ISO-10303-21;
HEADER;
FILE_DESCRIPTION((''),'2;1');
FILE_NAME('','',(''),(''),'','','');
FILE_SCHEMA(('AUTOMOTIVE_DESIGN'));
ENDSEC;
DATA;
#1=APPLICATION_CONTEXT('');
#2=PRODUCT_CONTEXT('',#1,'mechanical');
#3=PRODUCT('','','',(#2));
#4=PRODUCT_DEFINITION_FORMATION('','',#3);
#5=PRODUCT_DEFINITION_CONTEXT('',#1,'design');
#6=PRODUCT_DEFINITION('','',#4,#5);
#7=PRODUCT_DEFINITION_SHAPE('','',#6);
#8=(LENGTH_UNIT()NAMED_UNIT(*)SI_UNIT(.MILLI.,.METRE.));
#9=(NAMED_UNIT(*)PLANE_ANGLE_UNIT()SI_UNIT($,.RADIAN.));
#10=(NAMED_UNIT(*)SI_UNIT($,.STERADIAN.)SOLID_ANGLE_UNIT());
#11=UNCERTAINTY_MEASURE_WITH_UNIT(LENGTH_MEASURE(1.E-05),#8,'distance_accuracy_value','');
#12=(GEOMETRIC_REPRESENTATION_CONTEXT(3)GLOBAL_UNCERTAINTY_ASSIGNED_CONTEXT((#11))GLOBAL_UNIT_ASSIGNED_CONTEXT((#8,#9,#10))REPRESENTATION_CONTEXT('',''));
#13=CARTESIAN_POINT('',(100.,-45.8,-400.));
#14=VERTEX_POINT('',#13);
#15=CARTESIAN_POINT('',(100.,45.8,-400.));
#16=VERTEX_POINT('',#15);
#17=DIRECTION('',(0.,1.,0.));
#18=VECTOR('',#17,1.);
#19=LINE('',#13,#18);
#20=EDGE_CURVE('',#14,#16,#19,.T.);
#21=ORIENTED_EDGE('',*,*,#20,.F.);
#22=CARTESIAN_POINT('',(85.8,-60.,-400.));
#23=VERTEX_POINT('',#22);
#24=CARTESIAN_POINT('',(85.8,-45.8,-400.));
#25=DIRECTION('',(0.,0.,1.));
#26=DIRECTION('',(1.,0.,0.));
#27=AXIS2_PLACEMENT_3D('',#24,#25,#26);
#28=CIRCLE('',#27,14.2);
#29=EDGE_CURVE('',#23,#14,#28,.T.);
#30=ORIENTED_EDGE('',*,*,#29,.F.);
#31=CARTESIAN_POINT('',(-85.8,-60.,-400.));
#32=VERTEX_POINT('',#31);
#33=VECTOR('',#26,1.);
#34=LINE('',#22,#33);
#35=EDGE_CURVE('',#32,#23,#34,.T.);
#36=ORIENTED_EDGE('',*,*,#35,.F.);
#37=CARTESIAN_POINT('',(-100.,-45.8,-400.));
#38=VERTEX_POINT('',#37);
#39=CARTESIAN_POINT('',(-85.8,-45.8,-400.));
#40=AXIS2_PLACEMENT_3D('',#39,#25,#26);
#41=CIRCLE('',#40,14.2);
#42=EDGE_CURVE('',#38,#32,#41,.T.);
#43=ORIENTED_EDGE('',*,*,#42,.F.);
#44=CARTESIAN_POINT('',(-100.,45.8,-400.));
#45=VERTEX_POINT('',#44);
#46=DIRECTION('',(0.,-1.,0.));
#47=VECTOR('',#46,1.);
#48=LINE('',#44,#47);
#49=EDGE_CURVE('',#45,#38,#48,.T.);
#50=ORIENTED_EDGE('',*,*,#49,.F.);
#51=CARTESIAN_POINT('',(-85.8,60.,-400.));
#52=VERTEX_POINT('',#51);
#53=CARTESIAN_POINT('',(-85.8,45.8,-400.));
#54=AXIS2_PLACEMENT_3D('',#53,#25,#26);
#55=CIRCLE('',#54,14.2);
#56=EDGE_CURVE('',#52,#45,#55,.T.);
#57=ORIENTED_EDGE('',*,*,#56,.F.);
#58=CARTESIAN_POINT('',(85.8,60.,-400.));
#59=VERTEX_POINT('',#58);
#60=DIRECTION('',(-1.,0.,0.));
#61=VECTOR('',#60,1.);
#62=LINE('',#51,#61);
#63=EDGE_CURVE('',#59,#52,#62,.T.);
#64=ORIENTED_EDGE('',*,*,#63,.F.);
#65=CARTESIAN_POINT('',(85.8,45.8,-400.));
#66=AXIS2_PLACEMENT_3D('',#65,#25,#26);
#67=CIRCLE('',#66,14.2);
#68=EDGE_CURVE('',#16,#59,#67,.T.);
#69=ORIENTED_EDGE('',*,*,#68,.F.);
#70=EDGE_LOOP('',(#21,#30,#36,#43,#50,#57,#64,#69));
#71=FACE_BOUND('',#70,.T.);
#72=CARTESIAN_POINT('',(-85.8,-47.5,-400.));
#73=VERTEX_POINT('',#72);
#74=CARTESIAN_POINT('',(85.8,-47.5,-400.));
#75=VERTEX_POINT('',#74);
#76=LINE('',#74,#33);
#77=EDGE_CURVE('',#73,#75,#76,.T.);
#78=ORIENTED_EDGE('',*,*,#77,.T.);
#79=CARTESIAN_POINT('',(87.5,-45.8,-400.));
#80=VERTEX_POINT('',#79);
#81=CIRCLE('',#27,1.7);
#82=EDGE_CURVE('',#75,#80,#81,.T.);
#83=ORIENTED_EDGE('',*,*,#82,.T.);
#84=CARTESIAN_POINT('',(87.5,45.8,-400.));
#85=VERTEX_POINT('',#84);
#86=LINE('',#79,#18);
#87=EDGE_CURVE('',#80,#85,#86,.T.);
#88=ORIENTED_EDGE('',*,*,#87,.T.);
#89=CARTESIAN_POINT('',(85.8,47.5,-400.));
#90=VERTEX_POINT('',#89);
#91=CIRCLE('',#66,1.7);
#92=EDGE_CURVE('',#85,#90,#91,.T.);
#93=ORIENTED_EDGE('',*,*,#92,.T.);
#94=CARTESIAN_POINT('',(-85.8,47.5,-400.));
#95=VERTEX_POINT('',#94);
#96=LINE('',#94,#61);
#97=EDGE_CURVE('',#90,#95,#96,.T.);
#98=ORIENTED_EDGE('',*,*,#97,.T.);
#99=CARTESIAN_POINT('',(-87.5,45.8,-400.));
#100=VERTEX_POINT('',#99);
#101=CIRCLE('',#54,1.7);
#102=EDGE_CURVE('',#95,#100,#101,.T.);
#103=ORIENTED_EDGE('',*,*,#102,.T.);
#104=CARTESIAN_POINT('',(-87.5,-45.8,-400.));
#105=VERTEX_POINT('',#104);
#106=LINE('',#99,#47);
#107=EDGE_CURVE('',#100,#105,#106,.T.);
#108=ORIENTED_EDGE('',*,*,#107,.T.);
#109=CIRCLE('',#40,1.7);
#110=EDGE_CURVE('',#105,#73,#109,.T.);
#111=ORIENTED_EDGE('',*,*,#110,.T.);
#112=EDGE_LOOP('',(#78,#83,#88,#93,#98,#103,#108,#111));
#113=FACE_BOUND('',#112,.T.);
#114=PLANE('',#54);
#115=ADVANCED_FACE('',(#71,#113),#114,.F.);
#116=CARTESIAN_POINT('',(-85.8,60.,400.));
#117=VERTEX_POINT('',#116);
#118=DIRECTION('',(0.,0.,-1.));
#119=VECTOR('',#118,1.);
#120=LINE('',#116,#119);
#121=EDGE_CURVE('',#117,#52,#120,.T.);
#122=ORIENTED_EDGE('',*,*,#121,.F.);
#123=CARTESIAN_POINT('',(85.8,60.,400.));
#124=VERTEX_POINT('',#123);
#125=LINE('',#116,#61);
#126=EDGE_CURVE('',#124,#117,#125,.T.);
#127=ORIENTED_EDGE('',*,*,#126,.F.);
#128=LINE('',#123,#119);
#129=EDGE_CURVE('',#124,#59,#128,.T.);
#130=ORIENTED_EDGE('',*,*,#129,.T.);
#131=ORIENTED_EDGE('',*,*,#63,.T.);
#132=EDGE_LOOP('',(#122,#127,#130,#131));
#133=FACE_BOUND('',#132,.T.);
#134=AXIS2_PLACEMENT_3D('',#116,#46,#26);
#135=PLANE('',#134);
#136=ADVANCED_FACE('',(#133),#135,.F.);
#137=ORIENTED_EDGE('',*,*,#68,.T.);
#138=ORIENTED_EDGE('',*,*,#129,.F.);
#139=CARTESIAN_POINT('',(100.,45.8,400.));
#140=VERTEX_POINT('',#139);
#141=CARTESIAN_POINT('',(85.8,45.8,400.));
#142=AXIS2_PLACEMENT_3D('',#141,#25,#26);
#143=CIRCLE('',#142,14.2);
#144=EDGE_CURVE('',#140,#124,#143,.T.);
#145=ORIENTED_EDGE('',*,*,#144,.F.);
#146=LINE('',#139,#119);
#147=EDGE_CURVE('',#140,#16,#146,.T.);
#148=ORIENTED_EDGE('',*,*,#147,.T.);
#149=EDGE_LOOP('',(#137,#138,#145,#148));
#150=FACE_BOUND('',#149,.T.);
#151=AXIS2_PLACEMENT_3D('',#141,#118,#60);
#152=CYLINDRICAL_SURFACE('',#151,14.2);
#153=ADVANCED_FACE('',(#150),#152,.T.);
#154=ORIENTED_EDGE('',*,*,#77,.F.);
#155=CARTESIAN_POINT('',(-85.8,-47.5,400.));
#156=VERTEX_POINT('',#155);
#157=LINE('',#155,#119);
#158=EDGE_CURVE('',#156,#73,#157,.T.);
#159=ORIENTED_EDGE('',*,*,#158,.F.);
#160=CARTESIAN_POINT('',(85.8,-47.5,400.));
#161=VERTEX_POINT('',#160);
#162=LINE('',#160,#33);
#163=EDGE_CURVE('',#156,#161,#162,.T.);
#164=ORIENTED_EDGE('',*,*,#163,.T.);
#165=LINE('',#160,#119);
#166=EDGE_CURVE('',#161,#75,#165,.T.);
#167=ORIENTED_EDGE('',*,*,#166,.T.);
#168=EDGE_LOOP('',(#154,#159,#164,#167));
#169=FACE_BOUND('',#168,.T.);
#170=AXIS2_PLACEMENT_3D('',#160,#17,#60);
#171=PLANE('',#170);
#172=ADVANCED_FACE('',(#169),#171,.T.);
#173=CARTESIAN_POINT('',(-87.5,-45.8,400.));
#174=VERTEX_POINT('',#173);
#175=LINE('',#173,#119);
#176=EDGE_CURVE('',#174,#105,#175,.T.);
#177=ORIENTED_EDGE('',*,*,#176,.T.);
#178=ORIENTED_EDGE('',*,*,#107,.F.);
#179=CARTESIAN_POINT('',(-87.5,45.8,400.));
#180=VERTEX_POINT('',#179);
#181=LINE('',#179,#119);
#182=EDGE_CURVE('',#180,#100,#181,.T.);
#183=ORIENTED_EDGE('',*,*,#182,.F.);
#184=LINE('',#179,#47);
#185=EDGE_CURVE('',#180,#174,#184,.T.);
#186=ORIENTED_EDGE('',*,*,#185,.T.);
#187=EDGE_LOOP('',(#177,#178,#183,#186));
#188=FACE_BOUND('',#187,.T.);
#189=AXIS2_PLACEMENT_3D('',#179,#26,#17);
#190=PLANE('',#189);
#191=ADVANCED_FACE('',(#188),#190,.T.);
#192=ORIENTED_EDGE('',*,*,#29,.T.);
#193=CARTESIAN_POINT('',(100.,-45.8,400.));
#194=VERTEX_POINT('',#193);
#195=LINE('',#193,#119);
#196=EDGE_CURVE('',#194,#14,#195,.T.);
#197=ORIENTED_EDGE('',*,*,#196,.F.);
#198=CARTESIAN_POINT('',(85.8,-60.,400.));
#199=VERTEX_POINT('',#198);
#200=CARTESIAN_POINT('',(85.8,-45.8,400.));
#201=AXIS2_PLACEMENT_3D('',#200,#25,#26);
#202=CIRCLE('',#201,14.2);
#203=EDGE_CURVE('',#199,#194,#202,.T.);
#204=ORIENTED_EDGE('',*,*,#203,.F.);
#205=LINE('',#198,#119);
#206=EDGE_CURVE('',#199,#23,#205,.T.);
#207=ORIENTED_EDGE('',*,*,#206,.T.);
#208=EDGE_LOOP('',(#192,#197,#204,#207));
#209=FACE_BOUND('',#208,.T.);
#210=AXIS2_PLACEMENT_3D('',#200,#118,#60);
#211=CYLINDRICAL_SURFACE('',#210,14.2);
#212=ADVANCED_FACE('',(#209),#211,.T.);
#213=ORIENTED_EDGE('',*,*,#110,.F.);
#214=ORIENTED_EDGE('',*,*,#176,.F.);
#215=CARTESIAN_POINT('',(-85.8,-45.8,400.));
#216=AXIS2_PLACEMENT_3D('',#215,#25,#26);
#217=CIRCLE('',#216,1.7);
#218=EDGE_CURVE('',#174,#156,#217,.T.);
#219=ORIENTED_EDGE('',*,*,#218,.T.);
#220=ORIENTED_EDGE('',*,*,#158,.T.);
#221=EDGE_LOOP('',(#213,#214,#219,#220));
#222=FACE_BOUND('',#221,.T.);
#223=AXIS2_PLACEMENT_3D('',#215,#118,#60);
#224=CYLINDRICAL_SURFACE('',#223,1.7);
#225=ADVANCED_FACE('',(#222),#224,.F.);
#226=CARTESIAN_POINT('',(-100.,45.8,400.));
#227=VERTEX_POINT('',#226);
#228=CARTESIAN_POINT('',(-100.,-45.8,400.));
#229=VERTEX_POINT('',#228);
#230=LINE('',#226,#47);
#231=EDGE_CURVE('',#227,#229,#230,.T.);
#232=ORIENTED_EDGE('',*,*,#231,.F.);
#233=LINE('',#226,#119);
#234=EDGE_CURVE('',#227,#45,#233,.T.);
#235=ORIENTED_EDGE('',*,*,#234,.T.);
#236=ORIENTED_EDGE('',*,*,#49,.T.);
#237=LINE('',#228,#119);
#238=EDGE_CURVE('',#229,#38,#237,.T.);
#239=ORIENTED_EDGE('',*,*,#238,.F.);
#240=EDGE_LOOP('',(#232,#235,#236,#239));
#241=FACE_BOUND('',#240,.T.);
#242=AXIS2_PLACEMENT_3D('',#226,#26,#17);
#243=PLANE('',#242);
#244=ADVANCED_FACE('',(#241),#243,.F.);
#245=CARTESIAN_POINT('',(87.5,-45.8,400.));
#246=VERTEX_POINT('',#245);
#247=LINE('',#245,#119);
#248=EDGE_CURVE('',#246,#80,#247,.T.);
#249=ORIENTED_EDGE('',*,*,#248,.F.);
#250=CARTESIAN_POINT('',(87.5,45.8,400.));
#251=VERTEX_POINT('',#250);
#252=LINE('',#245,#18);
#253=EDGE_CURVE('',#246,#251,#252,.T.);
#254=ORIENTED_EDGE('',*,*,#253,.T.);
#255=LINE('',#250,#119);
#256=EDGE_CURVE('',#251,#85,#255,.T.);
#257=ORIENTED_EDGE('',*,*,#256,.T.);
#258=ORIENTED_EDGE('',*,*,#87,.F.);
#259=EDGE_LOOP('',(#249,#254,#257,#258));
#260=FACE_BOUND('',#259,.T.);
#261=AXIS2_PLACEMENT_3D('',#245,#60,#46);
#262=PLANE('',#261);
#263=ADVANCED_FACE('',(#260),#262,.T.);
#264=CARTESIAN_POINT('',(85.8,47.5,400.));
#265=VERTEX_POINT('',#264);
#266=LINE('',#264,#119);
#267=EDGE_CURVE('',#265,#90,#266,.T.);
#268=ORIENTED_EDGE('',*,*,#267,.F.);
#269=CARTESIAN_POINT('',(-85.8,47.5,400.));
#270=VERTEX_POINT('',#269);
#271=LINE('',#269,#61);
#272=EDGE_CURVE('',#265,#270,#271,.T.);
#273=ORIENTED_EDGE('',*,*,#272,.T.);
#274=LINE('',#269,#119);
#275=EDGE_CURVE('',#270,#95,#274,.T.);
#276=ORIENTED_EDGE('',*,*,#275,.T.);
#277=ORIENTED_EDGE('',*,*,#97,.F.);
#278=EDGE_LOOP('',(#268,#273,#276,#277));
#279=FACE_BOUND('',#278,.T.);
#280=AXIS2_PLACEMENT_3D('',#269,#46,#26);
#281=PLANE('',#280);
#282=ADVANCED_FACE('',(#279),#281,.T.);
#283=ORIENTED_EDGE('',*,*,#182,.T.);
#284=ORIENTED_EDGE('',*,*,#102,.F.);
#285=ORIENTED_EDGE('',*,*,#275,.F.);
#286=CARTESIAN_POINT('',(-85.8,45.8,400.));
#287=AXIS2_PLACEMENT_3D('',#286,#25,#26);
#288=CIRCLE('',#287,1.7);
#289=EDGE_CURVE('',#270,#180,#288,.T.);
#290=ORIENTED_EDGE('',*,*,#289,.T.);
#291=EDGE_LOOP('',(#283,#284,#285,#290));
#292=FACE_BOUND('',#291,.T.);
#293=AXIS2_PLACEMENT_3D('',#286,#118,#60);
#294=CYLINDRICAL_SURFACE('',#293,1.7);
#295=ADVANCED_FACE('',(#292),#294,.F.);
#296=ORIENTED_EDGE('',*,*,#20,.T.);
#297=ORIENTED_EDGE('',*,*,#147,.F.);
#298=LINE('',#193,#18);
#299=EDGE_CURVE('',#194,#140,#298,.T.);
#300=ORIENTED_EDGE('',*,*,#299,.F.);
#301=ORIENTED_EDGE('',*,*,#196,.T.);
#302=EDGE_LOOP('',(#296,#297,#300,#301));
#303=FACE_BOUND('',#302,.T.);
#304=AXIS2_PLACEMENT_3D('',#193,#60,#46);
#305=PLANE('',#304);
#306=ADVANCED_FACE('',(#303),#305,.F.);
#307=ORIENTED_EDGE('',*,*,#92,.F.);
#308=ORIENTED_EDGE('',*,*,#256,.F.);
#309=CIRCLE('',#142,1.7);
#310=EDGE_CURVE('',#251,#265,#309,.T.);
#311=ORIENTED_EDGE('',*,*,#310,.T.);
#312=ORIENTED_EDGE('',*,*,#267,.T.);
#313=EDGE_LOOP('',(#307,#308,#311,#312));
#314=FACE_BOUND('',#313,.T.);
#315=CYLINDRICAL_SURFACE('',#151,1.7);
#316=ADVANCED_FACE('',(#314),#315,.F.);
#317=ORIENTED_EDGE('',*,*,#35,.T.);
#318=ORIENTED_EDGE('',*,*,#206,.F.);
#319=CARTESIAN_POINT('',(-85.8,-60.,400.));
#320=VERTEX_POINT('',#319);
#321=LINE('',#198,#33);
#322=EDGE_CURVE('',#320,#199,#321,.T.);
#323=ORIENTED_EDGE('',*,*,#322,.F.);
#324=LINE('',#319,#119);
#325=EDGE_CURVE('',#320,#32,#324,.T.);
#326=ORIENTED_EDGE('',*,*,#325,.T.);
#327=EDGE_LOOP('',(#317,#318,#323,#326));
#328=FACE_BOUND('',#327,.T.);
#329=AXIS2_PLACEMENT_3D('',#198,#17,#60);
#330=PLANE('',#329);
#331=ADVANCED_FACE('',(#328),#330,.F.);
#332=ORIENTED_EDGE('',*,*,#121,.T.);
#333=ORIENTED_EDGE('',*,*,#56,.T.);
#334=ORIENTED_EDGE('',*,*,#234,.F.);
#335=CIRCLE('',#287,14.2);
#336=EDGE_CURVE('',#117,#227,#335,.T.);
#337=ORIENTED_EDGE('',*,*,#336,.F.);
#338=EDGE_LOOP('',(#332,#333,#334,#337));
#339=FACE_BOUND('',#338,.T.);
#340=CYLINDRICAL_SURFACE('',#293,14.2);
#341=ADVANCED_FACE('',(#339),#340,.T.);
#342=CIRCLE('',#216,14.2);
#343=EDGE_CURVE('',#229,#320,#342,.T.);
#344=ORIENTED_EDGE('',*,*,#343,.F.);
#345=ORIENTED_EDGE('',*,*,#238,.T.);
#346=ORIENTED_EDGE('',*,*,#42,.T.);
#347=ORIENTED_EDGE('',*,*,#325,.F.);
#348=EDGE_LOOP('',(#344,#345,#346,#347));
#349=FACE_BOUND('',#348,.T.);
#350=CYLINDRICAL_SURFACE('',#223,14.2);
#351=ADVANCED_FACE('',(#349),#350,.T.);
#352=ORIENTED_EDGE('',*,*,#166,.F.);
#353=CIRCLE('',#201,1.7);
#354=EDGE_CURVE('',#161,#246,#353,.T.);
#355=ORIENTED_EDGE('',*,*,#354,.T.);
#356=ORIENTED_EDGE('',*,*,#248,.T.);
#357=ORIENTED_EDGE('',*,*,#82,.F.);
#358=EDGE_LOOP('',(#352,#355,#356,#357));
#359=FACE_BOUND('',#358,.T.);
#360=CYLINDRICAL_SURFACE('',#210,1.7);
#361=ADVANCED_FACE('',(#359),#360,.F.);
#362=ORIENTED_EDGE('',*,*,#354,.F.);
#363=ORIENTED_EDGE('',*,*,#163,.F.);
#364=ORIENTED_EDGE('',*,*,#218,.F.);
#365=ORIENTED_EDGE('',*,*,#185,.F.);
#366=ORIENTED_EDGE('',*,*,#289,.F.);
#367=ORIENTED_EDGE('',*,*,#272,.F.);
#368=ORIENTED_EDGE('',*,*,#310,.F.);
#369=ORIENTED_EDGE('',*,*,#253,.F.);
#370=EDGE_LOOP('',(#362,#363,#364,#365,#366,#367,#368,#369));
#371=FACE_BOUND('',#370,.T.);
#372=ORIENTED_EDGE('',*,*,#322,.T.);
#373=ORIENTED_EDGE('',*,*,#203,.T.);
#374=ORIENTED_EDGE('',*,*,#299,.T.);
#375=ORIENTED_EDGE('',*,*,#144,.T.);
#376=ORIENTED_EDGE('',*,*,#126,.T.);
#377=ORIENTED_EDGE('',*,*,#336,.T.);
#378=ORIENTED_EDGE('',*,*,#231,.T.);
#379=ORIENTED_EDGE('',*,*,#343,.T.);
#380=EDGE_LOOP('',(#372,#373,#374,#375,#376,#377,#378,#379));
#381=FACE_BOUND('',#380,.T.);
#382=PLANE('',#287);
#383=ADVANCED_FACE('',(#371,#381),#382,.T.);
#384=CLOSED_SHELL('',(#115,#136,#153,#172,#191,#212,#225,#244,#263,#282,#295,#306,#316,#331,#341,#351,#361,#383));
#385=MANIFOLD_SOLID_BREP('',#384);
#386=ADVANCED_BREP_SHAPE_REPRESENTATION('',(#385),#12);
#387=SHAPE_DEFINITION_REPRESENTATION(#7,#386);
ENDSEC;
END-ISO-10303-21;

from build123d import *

# Parameters (mm, degrees)
TUBE_SQUARE_TS12X12X0_25_1_DEPTH = 800


with BuildPart() as part:
    # Sketch165 → Tube square TS12X12X0.25(1) (new body)
    with BuildSketch(Plane(origin=(0, 0, -400), x_dir=(0, 1, 0), z_dir=(0, 0, 1))):
        with BuildLine():
            Line((-45.8, -100), (45.8, -100))
            ThreePointArc((45.8, -100), (55.840916293, -95.840916293), (60, -85.8))
            Line((60, -85.8), (60, 85.8))
            ThreePointArc((60, 85.8), (55.840916293, 95.840916293), (45.8, 100))
            Line((45.8, 100), (-45.8, 100))
            ThreePointArc((-45.8, 100), (-55.840916293, 95.840916293), (-60, 85.8))
            Line((-60, 85.8), (-60, -85.8))
            ThreePointArc((-60, -85.8), (-55.840916293, -95.840916293), (-45.8, -100))
        make_face()
        with BuildLine():
            Line((-45.8, -87.5), (45.8, -87.5))
            ThreePointArc((45.8, -87.5), (47.002081528, -87.002081528), (47.5, -85.8))
            Line((47.5, -85.8), (47.5, 85.8))
            ThreePointArc((47.5, 85.8), (47.002081528, 87.002081528), (45.8, 87.5))
            Line((45.8, 87.5), (-45.8, 87.5))
            ThreePointArc((-45.8, 87.5), (-47.002081528, 87.002081528), (-47.5, 85.8))
            Line((-47.5, 85.8), (-47.5, -85.8))
            ThreePointArc((-47.5, -85.8), (-47.002081528, -87.002081528), (-45.8, -87.5))
        make_face(mode=Mode.SUBTRACT)
    extrude(amount=TUBE_SQUARE_TS12X12X0_25_1_DEPTH)


solid = part.part
